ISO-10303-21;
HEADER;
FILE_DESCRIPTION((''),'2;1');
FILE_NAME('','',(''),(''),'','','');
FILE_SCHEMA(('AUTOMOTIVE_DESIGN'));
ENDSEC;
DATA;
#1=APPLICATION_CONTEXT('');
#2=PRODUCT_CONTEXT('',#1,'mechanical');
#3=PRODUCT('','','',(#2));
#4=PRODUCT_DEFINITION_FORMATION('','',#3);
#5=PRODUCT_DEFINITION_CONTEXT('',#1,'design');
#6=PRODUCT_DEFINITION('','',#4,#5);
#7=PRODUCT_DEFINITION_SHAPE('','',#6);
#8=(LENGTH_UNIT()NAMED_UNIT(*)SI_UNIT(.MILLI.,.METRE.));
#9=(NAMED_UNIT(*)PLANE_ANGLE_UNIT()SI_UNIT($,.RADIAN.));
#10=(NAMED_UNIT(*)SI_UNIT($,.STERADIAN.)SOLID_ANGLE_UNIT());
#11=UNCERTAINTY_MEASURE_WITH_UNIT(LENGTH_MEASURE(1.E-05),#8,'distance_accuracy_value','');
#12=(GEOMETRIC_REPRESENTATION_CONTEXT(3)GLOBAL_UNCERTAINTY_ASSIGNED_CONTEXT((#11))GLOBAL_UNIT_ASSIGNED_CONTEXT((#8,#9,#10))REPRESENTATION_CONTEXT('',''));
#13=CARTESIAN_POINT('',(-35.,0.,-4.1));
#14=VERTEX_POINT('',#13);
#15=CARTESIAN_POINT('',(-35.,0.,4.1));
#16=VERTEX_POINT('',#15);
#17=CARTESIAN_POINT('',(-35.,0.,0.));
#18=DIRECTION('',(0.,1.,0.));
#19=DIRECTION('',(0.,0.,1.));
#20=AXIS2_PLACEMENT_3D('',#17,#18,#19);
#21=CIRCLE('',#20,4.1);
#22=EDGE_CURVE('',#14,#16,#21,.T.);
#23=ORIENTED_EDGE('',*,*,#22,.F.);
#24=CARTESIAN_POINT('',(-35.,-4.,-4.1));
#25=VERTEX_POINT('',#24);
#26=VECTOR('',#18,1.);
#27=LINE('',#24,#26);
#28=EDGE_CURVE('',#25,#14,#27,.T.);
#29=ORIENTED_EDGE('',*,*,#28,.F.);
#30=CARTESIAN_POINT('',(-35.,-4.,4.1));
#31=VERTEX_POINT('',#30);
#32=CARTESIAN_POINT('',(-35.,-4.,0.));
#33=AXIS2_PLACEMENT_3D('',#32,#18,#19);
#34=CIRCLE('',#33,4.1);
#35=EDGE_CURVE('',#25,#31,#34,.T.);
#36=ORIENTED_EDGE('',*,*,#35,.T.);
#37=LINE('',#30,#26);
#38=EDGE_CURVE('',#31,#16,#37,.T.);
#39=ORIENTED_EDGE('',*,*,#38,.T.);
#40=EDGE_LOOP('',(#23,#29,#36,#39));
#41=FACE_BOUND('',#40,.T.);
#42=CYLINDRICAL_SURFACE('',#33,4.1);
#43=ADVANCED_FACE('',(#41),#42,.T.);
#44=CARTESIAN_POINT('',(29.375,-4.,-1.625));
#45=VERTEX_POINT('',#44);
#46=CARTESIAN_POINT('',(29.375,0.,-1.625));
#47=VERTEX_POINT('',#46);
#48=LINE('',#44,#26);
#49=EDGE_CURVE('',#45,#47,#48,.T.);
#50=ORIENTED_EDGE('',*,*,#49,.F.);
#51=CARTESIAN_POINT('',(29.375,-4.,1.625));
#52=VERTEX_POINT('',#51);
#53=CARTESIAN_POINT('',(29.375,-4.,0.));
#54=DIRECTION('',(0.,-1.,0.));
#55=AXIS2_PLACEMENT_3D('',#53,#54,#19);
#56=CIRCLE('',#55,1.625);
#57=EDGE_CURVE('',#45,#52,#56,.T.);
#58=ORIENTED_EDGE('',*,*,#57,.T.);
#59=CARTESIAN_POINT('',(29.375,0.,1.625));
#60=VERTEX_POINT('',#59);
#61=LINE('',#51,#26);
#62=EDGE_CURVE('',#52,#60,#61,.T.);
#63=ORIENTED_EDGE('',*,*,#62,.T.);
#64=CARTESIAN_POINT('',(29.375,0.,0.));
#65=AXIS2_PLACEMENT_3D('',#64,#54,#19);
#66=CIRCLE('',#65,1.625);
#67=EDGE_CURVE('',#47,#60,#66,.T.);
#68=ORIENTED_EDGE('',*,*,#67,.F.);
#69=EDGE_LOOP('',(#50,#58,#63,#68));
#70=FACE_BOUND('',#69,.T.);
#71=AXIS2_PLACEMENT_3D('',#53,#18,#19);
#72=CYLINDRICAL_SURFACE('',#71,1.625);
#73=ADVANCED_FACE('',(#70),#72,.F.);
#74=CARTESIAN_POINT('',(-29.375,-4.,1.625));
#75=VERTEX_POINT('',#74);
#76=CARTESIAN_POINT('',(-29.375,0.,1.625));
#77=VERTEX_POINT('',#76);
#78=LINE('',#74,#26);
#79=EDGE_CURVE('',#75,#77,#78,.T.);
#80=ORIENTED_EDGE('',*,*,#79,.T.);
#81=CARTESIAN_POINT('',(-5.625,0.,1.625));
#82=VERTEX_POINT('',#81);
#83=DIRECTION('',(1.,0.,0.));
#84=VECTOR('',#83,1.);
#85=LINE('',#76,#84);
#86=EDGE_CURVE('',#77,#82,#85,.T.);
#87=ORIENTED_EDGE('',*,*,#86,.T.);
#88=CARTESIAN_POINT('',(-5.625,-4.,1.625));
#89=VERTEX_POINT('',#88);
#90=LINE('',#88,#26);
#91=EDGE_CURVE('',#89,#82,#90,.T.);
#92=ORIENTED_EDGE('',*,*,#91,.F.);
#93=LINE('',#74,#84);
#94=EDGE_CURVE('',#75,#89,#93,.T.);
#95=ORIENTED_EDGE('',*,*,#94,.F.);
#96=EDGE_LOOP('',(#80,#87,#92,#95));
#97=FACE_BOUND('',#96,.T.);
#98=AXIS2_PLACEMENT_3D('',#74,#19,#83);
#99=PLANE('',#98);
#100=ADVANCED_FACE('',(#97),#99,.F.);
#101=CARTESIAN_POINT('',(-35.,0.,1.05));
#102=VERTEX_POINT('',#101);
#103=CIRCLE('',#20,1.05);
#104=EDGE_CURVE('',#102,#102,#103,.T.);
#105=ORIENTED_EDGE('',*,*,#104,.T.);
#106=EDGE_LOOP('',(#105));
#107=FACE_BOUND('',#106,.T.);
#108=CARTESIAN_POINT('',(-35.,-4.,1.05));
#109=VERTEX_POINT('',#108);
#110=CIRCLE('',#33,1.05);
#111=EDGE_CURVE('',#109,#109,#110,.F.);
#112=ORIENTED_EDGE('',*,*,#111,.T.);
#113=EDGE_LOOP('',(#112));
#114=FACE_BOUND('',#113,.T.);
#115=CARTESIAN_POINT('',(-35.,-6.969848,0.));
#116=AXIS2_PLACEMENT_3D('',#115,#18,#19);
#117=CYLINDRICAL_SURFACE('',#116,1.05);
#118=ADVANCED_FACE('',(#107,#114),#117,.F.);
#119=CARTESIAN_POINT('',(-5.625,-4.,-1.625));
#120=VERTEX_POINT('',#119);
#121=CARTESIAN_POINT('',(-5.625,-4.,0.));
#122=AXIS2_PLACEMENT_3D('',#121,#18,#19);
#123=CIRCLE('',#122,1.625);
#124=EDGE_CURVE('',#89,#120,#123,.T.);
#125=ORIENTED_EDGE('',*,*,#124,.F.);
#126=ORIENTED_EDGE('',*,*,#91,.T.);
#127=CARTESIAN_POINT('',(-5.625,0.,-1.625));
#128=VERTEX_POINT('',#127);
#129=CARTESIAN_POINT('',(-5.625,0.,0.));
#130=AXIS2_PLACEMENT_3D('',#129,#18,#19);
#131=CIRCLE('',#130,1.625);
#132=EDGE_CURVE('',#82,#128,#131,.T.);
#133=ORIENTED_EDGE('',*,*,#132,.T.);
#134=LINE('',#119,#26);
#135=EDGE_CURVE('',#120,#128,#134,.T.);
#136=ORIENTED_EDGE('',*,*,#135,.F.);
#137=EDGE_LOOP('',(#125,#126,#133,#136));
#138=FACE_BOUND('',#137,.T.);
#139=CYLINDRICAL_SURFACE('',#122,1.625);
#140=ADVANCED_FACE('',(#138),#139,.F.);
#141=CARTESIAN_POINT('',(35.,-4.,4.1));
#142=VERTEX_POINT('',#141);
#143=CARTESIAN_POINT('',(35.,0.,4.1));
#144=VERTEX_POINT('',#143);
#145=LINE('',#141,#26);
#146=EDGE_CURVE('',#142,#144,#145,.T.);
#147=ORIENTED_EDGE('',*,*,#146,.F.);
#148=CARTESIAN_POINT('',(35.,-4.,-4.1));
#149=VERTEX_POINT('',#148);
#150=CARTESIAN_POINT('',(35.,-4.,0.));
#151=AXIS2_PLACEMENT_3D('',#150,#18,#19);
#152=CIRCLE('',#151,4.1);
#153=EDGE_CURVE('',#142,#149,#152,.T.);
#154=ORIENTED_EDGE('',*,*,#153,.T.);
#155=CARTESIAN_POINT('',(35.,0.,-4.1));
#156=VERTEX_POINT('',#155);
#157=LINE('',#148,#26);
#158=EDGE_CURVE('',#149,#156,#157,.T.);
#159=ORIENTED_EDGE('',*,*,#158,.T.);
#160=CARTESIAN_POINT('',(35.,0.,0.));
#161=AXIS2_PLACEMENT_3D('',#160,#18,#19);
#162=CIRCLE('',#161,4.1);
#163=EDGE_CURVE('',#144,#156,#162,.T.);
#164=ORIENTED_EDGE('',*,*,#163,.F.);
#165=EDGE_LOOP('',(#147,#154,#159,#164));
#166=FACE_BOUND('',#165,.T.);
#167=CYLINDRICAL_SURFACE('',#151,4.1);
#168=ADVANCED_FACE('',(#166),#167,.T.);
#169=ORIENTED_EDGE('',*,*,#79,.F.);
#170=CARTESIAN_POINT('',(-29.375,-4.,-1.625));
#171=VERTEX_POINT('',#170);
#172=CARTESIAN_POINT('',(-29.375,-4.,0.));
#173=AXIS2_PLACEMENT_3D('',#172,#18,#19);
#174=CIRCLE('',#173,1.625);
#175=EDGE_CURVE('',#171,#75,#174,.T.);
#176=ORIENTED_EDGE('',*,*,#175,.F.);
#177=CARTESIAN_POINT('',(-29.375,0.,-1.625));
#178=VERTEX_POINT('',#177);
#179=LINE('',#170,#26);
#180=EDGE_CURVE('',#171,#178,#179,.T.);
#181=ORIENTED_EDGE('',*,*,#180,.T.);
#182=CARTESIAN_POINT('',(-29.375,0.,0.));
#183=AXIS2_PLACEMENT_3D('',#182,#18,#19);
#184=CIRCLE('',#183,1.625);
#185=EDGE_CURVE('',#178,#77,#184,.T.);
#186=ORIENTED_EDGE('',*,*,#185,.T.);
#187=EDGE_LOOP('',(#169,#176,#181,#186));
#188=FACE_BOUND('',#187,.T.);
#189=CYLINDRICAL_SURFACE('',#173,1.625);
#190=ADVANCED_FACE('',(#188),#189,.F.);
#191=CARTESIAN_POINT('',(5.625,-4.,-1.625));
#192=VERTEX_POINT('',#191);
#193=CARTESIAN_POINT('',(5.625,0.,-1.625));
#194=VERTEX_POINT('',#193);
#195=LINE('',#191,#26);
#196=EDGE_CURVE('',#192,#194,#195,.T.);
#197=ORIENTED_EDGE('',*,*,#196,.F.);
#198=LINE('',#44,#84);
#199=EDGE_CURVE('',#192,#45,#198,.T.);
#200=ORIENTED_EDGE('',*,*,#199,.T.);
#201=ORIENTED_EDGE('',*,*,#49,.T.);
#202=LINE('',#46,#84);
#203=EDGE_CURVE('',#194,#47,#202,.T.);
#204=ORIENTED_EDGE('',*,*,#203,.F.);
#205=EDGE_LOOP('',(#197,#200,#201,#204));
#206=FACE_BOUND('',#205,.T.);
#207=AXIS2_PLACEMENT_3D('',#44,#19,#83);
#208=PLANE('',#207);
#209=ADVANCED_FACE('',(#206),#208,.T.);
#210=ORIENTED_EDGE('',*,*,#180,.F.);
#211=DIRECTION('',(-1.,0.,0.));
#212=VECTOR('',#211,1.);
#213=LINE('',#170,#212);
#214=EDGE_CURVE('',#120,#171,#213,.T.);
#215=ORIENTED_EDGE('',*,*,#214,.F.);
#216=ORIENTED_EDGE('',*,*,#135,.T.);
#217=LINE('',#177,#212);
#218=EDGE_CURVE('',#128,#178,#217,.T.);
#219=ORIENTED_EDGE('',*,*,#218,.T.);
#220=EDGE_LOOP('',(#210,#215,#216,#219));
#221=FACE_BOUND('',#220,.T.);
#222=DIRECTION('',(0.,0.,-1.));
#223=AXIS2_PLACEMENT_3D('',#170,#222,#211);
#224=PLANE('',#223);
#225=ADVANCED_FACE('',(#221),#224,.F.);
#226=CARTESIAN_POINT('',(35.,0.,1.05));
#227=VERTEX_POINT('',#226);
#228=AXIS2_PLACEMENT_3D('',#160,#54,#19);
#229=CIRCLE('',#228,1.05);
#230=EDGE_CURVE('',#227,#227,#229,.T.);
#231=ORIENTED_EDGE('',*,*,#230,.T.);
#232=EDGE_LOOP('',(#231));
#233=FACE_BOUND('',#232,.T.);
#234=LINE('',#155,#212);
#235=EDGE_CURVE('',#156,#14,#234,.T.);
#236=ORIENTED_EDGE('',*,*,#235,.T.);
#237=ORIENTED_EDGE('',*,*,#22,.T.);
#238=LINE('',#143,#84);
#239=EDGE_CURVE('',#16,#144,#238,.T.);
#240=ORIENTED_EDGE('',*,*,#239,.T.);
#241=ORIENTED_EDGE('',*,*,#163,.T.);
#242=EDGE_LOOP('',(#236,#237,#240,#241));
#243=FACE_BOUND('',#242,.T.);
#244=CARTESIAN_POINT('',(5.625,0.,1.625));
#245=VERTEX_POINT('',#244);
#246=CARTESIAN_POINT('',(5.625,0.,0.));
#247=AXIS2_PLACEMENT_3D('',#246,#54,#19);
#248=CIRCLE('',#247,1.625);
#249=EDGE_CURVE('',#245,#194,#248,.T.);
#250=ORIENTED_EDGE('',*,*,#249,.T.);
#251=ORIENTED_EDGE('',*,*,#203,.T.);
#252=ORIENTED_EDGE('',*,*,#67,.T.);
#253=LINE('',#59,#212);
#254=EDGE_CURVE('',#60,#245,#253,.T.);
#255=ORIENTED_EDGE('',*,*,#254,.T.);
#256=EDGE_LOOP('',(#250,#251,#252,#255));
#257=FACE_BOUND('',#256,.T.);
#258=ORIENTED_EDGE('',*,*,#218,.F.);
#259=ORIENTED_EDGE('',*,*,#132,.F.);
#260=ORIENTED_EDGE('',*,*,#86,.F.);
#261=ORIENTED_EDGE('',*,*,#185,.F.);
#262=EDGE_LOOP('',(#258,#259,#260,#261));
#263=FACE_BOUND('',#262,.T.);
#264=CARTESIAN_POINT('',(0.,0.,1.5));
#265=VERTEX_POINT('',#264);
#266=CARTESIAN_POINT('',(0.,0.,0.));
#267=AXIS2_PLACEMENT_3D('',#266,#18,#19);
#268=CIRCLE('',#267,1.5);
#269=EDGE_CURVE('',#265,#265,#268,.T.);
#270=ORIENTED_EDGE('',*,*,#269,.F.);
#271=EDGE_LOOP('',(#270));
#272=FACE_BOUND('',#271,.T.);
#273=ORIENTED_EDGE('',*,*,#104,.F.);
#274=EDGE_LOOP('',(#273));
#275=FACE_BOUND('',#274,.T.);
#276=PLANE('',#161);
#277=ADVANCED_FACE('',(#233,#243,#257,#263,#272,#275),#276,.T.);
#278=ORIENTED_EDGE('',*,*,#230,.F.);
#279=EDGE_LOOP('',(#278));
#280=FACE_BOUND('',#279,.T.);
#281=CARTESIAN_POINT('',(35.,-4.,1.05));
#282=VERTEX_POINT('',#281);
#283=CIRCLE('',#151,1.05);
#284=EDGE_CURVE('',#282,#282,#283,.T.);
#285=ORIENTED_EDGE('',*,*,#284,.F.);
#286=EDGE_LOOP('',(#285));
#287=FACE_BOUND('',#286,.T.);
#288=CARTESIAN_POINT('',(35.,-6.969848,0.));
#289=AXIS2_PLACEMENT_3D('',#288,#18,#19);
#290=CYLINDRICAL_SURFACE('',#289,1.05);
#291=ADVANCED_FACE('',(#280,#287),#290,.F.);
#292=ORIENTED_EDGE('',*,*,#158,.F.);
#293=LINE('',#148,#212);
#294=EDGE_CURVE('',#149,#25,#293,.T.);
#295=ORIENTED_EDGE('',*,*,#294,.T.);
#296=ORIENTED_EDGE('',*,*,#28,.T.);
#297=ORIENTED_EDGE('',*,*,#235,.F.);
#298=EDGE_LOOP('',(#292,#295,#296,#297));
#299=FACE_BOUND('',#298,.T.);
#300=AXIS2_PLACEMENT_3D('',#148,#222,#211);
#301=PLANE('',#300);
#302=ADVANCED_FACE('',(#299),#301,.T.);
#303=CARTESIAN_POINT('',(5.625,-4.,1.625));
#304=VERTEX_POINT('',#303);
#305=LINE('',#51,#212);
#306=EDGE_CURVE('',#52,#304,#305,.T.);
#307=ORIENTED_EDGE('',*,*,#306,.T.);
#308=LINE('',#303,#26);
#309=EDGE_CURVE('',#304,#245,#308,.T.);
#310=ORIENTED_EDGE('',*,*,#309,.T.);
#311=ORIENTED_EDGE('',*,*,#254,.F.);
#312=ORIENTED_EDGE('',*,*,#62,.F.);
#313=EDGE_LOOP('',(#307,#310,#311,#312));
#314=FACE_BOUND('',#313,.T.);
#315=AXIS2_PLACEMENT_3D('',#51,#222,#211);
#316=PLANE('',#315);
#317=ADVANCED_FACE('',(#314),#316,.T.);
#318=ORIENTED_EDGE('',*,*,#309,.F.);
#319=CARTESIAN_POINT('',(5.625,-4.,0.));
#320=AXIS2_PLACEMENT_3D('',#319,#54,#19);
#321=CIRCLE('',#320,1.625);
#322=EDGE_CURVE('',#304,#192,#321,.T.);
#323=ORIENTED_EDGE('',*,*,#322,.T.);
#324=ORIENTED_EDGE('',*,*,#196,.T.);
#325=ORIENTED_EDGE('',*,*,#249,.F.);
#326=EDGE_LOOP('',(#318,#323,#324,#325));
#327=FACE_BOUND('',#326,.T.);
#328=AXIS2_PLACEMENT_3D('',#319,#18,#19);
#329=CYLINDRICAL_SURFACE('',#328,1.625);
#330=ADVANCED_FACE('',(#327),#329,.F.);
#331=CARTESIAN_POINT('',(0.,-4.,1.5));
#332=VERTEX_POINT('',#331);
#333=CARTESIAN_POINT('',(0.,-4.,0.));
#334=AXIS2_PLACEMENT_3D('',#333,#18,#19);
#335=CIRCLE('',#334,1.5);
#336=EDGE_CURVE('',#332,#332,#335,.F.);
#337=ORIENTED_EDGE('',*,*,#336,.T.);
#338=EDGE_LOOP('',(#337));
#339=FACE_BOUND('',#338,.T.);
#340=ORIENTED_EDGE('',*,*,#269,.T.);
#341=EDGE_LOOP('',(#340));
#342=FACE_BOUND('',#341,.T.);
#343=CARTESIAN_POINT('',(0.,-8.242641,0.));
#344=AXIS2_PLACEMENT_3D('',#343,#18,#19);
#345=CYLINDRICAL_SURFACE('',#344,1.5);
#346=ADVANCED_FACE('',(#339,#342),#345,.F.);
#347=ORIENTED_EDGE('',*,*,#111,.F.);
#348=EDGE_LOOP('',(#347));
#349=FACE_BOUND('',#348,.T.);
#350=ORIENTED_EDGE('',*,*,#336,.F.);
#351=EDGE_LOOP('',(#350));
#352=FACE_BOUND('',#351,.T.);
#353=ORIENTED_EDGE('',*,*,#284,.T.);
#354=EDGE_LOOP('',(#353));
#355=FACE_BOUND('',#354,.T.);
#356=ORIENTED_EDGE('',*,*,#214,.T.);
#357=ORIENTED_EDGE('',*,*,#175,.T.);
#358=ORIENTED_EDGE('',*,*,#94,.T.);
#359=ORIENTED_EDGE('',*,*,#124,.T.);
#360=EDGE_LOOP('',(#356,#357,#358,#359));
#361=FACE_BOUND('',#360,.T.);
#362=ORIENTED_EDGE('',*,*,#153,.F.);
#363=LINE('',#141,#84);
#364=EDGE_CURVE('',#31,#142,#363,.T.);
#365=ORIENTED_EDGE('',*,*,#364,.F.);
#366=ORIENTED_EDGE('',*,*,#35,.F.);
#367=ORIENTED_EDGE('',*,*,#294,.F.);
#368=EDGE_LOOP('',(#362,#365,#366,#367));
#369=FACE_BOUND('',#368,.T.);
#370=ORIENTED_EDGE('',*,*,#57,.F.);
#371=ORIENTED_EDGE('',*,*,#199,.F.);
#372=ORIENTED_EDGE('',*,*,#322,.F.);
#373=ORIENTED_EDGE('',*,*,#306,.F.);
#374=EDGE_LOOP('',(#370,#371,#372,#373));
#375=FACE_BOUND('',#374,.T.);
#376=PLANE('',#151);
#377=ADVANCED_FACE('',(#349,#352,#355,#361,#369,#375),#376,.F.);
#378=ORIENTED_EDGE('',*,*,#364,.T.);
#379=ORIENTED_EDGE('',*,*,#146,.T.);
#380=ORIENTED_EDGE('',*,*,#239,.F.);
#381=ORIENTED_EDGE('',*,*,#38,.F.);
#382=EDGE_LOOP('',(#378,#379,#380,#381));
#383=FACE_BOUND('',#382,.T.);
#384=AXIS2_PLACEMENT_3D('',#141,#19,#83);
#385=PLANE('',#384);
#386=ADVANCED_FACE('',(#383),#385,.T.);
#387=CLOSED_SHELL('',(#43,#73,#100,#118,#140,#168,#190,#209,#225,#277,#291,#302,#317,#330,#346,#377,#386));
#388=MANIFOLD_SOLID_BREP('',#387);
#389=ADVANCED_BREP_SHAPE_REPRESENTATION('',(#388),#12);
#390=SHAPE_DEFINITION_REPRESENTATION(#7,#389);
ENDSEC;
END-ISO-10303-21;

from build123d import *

# Parameters (mm, degrees)
BOSS_EXTRUDE1_DEPTH = 4
SKETCH2_R           = 1.5
CUT_EXTRUDE1_DEPTH  = 4
SKETCH6_R           = 1.05
CUT_EXTRUDE2_DEPTH  = 4
CUT_EXTRUDE3_DEPTH  = 40.517337967


with BuildPart() as part:
    # Sketch1 → Boss-Extrude1 (new body)
    with BuildSketch(Plane(origin=(0, 0, 0), x_dir=(1, 0, 0), z_dir=(0, 1, 0))):
        with BuildLine():
            Line((35, -4.1), (-35, -4.1))
            ThreePointArc((-35, -4.1), (-39.1, 0), (-35, 4.1))
            Line((-35, 4.1), (35, 4.1))
            ThreePointArc((35, 4.1), (39.1, 0), (35, -4.1))
        make_face()
    extrude(amount=-BOSS_EXTRUDE1_DEPTH)

    # Sketch2 → Cut-Extrude1 (cut)
    with BuildSketch(Plane(origin=(0, 0, 0), x_dir=(1, 0, 0), z_dir=(0, 1, 0))):
        with Locations(Location((0, 0, 0), (0, 0, 270))):
            Circle(SKETCH2_R)
    extrude(amount=-CUT_EXTRUDE1_DEPTH, mode=Mode.SUBTRACT)

    # Sketch6 → Cut-Extrude2 (cut)
    with BuildSketch(Plane(origin=(0, 0, 0), x_dir=(1, 0, 0), z_dir=(0, 1, 0))):
        with Locations(Location((-35, 0, 0), (0, 0, 270))):
            Circle(SKETCH6_R)
    cut_extrude2 = extrude(amount=-CUT_EXTRUDE2_DEPTH, mode=Mode.SUBTRACT)

    # Sketch7 → Cut-Extrude3 (cut, through all)
    with BuildSketch(Plane(origin=(0, 0, 0), x_dir=(1, 0, 0), z_dir=(0, 1, 0))):
        with BuildLine():
            Line((-29.375, 1.625), (-5.625, 1.625))
            ThreePointArc((-5.625, 1.625), (-4, 0), (-5.625, -1.625))
            Line((-5.625, -1.625), (-29.375, -1.625))
            ThreePointArc((-29.375, -1.625), (-31, 0), (-29.375, 1.625))
        make_face()
    cut_extrude3 = extrude(amount=-CUT_EXTRUDE3_DEPTH, mode=Mode.SUBTRACT)

    # Mirror1: Cut-Extrude2, Cut-Extrude3 across plane
    add(cut_extrude2.mirror(Plane(origin=(0, 0, 0), x_dir=(0, 0, 1), z_dir=(1, 0, 0))), mode=Mode.SUBTRACT)
    add(cut_extrude3.mirror(Plane(origin=(0, 0, 0), x_dir=(0, 0, 1), z_dir=(1, 0, 0))), mode=Mode.SUBTRACT)


solid = part.part
